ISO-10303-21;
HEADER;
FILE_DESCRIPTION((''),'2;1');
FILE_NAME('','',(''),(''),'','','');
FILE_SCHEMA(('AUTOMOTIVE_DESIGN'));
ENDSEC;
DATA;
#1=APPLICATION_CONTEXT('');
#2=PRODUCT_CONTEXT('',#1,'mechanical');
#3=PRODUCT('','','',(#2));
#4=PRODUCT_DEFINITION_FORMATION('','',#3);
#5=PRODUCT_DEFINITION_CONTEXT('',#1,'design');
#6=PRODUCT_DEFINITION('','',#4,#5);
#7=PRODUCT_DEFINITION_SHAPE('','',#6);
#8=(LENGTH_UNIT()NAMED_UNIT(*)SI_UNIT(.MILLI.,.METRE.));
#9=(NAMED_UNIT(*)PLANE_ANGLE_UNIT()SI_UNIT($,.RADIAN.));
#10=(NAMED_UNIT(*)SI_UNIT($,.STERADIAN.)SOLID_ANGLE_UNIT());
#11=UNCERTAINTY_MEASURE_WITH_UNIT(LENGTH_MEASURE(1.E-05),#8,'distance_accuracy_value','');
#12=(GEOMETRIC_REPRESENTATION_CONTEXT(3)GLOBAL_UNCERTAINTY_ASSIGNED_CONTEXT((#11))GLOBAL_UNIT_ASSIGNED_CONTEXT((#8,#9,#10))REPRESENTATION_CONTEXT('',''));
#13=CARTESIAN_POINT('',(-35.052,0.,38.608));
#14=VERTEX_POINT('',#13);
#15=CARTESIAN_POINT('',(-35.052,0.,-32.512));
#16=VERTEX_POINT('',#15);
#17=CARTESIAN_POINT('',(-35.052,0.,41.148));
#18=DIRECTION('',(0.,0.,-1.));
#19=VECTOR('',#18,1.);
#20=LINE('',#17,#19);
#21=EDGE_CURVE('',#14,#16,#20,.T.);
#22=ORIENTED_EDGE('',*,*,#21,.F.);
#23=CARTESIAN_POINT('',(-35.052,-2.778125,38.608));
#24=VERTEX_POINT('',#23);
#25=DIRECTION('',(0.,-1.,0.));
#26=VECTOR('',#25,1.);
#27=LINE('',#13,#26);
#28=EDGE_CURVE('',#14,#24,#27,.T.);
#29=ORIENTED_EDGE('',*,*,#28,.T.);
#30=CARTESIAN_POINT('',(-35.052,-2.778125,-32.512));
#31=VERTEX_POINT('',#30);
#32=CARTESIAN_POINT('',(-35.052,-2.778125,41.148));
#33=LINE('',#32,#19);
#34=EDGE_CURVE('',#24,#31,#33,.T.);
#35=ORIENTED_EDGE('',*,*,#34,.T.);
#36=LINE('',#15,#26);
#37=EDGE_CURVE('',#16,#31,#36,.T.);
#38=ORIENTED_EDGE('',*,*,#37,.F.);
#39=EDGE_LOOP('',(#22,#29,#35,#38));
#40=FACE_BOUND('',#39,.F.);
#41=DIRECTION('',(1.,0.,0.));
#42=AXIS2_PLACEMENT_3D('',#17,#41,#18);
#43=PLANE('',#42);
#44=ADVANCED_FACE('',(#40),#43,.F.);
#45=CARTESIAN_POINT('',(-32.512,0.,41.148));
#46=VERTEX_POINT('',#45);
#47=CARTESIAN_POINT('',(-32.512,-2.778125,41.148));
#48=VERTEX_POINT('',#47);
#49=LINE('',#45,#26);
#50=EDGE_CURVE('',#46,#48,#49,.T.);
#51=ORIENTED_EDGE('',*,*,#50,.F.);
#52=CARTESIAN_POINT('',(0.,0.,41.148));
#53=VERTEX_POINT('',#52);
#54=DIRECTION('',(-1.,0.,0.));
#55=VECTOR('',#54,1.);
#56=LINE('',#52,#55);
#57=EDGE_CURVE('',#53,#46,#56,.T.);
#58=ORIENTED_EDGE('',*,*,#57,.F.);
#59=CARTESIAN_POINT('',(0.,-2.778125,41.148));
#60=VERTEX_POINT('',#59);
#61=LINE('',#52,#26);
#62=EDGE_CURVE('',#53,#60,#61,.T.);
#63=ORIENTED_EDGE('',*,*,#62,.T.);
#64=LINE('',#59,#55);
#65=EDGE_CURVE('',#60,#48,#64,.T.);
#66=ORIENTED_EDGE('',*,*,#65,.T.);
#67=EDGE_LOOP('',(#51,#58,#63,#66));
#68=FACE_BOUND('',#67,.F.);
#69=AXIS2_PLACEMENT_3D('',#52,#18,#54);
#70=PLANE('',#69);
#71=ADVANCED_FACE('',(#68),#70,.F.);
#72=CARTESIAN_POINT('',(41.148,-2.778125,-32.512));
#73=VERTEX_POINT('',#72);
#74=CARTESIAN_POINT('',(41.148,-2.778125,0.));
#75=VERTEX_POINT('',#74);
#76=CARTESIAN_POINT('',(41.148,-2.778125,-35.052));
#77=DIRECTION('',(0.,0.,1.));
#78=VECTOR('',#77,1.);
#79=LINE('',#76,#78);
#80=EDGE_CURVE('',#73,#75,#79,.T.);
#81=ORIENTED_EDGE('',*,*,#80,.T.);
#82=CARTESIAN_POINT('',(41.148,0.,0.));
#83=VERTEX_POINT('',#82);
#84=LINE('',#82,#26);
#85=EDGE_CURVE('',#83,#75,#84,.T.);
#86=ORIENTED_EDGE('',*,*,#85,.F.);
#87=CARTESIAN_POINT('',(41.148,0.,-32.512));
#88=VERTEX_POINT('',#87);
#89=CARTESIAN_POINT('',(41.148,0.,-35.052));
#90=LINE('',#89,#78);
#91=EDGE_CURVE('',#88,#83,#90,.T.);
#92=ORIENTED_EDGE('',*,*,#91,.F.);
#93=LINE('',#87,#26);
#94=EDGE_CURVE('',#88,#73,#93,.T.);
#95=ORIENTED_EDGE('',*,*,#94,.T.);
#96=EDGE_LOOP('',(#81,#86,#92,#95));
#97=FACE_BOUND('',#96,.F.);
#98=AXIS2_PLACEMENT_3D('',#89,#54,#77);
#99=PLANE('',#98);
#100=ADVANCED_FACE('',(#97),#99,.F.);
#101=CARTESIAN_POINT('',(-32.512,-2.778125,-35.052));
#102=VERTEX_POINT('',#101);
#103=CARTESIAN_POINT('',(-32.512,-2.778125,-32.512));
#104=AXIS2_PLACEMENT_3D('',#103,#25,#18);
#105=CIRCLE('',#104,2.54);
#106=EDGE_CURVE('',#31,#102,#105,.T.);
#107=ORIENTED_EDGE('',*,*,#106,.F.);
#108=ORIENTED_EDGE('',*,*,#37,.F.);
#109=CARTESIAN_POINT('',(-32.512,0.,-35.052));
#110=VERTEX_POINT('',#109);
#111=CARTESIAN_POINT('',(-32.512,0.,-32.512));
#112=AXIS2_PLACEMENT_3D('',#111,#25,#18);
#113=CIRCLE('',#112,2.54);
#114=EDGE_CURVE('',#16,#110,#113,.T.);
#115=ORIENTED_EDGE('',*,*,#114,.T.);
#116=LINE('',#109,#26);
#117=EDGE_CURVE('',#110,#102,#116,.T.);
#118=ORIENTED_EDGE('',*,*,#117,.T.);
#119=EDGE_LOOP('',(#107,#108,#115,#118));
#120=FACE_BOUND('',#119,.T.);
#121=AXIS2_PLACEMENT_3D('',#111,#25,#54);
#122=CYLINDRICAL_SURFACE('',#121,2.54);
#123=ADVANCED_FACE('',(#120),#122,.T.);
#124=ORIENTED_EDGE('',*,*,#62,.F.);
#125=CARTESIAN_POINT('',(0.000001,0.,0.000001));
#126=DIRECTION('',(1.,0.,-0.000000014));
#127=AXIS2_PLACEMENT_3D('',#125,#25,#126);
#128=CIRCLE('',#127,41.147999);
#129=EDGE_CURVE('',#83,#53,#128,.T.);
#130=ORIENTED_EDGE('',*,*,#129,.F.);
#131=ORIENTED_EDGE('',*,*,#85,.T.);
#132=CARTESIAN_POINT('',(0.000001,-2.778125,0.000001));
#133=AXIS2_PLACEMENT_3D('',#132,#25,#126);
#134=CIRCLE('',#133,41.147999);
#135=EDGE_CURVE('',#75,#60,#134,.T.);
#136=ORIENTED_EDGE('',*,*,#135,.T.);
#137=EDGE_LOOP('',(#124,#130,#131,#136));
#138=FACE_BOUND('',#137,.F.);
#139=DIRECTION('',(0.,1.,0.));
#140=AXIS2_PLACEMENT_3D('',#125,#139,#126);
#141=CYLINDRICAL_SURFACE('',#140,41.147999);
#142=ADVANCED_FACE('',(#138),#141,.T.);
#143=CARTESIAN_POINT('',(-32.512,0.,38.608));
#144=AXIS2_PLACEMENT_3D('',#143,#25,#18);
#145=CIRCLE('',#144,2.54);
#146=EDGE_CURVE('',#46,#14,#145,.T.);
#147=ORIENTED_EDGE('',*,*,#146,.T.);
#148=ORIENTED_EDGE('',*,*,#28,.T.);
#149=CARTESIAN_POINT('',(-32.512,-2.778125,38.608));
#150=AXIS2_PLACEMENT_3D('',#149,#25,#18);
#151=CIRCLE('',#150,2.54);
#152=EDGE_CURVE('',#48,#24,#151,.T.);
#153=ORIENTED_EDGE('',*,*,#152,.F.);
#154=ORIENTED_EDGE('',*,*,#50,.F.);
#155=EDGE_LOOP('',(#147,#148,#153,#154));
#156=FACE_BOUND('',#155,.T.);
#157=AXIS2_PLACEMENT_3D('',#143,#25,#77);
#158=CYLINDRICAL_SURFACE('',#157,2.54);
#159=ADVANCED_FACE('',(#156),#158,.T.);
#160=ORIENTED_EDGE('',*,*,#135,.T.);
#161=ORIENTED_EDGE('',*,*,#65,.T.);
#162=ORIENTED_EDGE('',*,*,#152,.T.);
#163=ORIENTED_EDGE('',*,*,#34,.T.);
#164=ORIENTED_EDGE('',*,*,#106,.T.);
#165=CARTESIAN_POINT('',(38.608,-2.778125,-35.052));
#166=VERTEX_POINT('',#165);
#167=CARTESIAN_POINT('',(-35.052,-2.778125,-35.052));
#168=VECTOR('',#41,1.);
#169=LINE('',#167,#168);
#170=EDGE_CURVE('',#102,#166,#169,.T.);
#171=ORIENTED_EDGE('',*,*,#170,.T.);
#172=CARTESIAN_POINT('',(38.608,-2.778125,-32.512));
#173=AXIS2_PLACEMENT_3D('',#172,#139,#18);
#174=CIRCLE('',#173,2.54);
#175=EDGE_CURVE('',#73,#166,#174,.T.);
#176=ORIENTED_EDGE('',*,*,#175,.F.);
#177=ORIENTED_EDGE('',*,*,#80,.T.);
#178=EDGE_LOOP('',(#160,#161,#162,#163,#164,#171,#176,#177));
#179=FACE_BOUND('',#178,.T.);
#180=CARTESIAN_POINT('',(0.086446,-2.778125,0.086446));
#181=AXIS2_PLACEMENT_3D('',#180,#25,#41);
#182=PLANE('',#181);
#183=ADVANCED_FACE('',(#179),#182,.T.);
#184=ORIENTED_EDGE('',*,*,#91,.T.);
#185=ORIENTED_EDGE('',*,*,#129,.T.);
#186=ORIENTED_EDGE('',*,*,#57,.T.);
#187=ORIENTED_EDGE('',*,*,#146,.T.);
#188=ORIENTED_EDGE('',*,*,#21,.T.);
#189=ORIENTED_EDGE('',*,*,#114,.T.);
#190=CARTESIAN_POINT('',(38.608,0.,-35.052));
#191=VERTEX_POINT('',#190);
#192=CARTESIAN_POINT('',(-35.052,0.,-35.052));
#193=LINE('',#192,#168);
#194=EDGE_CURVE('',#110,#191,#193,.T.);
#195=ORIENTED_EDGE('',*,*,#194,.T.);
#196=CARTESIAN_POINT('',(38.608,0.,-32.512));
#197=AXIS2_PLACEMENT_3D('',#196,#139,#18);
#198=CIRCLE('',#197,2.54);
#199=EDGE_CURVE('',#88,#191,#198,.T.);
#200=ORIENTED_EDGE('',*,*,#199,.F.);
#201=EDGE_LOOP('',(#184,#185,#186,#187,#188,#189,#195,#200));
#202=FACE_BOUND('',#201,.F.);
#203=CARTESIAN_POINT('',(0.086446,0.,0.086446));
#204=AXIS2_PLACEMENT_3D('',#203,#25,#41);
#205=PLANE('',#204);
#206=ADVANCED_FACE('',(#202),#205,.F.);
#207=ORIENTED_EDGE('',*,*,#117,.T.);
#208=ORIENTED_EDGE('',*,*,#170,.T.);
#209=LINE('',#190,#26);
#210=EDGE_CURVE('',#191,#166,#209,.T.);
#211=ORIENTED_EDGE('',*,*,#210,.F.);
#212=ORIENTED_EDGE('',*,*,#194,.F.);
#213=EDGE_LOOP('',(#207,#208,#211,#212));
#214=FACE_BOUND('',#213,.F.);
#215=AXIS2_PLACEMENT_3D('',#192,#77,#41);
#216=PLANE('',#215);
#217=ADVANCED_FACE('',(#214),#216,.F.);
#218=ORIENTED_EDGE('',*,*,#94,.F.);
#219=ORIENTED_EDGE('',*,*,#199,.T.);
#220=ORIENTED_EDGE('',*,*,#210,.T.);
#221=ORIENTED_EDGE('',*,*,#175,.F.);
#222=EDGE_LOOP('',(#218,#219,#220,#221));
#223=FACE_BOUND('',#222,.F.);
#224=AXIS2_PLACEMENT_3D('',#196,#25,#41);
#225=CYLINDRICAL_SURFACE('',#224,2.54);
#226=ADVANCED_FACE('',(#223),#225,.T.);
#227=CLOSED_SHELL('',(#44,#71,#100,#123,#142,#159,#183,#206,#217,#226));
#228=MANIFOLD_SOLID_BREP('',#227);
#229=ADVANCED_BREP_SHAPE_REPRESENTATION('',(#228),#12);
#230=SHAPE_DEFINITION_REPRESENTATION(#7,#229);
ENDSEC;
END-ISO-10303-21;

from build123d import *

# Parameters (mm, degrees)
F1_DEPTH = 2.778125
F2_R     = 2.54


with BuildPart() as f1:
    # F0 (on Front) → F1 (new body)
    with BuildSketch(Plane.XZ):
        with BuildLine():
            Line((41.148, -35.052), (41.148, 0))
            ThreePointArc((41.148, 0), (29.09603, 29.09603), (0, 41.148))
            Line((0, 41.148), (-35.052, 41.148))
            Line((-35.052, 41.148), (-35.052, -35.052))
            Line((-35.052, -35.052), (41.148, -35.052))
        make_face()
    extrude(amount=F1_DEPTH)

    # F2
    f2_edges = [f1.edges().sort_by_distance(p)[0] for p in [
        (-35.052, -1.389063, -35.052),
        (-35.052, -1.389063, 41.148),
        (41.148, -1.389063, -35.052),
    ]]
    fillet(f2_edges, radius=F2_R)


solid = f1.part
